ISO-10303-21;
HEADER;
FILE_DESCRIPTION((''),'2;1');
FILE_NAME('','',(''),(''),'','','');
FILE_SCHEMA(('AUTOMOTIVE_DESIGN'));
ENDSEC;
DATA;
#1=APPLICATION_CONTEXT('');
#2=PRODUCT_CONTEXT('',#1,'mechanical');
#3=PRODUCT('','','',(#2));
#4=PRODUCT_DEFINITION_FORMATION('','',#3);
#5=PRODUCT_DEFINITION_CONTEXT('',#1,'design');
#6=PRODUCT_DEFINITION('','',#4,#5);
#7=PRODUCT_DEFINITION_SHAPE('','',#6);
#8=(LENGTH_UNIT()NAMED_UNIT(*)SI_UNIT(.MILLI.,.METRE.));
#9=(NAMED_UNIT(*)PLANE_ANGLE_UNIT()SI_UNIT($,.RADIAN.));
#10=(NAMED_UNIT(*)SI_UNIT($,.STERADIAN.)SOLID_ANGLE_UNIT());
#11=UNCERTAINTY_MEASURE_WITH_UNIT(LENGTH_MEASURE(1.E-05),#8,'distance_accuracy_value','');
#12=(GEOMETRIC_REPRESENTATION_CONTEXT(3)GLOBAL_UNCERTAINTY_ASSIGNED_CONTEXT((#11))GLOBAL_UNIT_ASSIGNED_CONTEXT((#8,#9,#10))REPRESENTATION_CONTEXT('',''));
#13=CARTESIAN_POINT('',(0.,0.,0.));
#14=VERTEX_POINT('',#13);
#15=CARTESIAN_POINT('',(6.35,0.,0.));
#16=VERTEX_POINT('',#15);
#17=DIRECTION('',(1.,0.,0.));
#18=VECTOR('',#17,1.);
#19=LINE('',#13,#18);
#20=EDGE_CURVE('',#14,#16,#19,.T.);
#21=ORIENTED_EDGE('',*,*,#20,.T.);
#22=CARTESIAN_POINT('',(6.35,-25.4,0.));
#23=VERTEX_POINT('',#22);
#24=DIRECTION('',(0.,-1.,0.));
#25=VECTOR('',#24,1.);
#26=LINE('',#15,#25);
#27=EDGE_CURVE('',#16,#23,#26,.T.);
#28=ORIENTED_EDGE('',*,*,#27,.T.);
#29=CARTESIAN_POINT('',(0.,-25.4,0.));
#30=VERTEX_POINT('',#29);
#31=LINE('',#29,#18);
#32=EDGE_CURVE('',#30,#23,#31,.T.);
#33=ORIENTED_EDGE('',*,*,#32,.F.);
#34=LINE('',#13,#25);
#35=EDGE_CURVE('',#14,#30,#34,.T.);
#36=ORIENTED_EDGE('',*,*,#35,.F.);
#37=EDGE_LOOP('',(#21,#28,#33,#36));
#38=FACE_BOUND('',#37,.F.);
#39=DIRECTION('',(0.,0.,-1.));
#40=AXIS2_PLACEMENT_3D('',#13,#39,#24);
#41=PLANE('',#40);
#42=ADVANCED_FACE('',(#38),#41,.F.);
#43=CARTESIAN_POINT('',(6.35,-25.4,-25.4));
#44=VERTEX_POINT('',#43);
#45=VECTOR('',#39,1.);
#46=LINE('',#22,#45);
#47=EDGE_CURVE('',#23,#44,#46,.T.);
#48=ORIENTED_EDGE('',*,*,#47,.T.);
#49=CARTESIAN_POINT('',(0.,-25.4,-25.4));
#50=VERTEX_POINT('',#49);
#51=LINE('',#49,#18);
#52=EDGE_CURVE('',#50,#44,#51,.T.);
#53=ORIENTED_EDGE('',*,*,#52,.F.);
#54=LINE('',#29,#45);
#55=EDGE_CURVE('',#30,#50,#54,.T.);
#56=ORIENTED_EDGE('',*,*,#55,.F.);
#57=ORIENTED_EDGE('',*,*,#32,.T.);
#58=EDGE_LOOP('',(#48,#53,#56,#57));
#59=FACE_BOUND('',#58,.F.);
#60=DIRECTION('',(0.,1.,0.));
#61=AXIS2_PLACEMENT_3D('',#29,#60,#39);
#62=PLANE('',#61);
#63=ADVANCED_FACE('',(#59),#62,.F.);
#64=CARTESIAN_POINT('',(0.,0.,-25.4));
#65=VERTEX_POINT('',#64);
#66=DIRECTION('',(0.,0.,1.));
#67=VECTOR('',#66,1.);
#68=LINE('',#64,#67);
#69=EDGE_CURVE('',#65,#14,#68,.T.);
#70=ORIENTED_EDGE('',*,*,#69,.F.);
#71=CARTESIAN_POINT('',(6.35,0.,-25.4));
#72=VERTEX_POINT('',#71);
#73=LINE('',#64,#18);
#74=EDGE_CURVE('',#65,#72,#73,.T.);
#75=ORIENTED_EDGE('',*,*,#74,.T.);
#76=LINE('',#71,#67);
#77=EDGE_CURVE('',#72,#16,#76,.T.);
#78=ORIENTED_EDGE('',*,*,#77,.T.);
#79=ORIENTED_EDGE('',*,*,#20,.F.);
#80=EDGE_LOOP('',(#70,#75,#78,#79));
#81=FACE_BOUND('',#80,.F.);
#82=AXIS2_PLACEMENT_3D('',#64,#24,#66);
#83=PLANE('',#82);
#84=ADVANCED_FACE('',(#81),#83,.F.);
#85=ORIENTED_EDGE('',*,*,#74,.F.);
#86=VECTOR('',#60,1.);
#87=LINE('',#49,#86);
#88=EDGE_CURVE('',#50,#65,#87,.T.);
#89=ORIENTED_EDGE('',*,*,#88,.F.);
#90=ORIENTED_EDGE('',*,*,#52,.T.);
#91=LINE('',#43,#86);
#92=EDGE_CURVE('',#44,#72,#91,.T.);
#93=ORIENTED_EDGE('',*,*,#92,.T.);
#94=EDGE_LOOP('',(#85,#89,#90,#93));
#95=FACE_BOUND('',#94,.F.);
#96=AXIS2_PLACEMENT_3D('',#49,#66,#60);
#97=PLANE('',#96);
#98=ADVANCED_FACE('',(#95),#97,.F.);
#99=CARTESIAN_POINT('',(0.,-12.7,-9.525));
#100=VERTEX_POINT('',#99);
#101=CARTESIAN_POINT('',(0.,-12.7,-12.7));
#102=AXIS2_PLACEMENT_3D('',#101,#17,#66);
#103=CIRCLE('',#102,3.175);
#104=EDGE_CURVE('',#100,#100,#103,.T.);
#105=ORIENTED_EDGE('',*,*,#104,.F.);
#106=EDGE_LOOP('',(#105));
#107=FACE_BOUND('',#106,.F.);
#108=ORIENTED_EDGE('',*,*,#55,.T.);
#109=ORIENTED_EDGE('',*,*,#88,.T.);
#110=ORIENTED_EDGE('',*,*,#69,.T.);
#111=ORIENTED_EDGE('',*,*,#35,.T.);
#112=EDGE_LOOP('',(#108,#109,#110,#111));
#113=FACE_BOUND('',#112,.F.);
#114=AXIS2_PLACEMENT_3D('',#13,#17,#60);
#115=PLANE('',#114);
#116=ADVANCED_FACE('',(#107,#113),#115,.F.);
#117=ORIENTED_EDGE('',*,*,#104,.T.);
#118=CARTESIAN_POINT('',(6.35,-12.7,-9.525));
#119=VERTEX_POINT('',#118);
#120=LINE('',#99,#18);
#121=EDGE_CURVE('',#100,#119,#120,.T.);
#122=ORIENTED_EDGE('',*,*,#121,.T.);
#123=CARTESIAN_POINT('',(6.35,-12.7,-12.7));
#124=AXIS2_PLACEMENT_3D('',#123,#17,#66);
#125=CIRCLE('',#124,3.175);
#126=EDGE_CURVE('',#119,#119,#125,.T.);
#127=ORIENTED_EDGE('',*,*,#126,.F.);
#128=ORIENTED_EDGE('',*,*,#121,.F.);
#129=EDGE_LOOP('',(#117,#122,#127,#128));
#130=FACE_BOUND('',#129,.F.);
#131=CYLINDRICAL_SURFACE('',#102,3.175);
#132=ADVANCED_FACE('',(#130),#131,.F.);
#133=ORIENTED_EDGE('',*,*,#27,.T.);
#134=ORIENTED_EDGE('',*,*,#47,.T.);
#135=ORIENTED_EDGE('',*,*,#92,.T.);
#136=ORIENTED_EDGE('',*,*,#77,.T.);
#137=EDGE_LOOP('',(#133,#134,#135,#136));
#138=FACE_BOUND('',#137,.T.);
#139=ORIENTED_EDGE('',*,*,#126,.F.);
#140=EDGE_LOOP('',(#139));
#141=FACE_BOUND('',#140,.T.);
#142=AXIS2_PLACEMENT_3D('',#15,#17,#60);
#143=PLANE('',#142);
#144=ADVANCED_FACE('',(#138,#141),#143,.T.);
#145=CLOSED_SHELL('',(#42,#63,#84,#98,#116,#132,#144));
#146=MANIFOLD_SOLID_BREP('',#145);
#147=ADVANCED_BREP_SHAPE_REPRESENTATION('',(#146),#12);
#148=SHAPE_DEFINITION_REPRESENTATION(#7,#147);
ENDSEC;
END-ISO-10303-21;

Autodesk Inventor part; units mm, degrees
ref_plane "YZ Plane" through (0, 0, 0) normal (1, 0, 0) x (0, 1, 0)
ref_plane "XZ Plane" through (0, 0, 0) normal (0, 1, 0) x (-1, 0, 0)
ref_plane "XY Plane" through (0, 0, 0) normal (0, 0, 1) x (1, 0, 0)
sketch "Sketch1" plane through (0, 0, 0) normal (1, 0, 0) x (0, 1, 0)
  line L0 (0, 0) -> (-25.4, 0)
  line L1 (-25.4, 0) -> (-25.4, -25.4)
  line L2 (-25.4, -25.4) -> (0, -25.4)
  line L3 (0, -25.4) -> (0, 0)
  dimension "d0" = 25.4
  dimension "d1" = 25.4
extrude "Extrusion1" add sketch "Sketch1" along normal blind 6.35
sketch "Sketch2" plane through (0, 0, 0) normal (-1, 0, 0) x (0, 0, 1)
  line L0 (-25.4, 0) -> (0, 0) projected
  line L1 (-25.4, -25.4) -> (-25.4, 0) projected
  point P0 (-12.7, -12.7)
  dimension "d6" = 12.7
  dimension "d7" = 12.7
hole "Hole1" at (0, -12.7, -12.7) direction (1, 0, 0) diameter 6.35 end through all
properties part number "shim plate"
